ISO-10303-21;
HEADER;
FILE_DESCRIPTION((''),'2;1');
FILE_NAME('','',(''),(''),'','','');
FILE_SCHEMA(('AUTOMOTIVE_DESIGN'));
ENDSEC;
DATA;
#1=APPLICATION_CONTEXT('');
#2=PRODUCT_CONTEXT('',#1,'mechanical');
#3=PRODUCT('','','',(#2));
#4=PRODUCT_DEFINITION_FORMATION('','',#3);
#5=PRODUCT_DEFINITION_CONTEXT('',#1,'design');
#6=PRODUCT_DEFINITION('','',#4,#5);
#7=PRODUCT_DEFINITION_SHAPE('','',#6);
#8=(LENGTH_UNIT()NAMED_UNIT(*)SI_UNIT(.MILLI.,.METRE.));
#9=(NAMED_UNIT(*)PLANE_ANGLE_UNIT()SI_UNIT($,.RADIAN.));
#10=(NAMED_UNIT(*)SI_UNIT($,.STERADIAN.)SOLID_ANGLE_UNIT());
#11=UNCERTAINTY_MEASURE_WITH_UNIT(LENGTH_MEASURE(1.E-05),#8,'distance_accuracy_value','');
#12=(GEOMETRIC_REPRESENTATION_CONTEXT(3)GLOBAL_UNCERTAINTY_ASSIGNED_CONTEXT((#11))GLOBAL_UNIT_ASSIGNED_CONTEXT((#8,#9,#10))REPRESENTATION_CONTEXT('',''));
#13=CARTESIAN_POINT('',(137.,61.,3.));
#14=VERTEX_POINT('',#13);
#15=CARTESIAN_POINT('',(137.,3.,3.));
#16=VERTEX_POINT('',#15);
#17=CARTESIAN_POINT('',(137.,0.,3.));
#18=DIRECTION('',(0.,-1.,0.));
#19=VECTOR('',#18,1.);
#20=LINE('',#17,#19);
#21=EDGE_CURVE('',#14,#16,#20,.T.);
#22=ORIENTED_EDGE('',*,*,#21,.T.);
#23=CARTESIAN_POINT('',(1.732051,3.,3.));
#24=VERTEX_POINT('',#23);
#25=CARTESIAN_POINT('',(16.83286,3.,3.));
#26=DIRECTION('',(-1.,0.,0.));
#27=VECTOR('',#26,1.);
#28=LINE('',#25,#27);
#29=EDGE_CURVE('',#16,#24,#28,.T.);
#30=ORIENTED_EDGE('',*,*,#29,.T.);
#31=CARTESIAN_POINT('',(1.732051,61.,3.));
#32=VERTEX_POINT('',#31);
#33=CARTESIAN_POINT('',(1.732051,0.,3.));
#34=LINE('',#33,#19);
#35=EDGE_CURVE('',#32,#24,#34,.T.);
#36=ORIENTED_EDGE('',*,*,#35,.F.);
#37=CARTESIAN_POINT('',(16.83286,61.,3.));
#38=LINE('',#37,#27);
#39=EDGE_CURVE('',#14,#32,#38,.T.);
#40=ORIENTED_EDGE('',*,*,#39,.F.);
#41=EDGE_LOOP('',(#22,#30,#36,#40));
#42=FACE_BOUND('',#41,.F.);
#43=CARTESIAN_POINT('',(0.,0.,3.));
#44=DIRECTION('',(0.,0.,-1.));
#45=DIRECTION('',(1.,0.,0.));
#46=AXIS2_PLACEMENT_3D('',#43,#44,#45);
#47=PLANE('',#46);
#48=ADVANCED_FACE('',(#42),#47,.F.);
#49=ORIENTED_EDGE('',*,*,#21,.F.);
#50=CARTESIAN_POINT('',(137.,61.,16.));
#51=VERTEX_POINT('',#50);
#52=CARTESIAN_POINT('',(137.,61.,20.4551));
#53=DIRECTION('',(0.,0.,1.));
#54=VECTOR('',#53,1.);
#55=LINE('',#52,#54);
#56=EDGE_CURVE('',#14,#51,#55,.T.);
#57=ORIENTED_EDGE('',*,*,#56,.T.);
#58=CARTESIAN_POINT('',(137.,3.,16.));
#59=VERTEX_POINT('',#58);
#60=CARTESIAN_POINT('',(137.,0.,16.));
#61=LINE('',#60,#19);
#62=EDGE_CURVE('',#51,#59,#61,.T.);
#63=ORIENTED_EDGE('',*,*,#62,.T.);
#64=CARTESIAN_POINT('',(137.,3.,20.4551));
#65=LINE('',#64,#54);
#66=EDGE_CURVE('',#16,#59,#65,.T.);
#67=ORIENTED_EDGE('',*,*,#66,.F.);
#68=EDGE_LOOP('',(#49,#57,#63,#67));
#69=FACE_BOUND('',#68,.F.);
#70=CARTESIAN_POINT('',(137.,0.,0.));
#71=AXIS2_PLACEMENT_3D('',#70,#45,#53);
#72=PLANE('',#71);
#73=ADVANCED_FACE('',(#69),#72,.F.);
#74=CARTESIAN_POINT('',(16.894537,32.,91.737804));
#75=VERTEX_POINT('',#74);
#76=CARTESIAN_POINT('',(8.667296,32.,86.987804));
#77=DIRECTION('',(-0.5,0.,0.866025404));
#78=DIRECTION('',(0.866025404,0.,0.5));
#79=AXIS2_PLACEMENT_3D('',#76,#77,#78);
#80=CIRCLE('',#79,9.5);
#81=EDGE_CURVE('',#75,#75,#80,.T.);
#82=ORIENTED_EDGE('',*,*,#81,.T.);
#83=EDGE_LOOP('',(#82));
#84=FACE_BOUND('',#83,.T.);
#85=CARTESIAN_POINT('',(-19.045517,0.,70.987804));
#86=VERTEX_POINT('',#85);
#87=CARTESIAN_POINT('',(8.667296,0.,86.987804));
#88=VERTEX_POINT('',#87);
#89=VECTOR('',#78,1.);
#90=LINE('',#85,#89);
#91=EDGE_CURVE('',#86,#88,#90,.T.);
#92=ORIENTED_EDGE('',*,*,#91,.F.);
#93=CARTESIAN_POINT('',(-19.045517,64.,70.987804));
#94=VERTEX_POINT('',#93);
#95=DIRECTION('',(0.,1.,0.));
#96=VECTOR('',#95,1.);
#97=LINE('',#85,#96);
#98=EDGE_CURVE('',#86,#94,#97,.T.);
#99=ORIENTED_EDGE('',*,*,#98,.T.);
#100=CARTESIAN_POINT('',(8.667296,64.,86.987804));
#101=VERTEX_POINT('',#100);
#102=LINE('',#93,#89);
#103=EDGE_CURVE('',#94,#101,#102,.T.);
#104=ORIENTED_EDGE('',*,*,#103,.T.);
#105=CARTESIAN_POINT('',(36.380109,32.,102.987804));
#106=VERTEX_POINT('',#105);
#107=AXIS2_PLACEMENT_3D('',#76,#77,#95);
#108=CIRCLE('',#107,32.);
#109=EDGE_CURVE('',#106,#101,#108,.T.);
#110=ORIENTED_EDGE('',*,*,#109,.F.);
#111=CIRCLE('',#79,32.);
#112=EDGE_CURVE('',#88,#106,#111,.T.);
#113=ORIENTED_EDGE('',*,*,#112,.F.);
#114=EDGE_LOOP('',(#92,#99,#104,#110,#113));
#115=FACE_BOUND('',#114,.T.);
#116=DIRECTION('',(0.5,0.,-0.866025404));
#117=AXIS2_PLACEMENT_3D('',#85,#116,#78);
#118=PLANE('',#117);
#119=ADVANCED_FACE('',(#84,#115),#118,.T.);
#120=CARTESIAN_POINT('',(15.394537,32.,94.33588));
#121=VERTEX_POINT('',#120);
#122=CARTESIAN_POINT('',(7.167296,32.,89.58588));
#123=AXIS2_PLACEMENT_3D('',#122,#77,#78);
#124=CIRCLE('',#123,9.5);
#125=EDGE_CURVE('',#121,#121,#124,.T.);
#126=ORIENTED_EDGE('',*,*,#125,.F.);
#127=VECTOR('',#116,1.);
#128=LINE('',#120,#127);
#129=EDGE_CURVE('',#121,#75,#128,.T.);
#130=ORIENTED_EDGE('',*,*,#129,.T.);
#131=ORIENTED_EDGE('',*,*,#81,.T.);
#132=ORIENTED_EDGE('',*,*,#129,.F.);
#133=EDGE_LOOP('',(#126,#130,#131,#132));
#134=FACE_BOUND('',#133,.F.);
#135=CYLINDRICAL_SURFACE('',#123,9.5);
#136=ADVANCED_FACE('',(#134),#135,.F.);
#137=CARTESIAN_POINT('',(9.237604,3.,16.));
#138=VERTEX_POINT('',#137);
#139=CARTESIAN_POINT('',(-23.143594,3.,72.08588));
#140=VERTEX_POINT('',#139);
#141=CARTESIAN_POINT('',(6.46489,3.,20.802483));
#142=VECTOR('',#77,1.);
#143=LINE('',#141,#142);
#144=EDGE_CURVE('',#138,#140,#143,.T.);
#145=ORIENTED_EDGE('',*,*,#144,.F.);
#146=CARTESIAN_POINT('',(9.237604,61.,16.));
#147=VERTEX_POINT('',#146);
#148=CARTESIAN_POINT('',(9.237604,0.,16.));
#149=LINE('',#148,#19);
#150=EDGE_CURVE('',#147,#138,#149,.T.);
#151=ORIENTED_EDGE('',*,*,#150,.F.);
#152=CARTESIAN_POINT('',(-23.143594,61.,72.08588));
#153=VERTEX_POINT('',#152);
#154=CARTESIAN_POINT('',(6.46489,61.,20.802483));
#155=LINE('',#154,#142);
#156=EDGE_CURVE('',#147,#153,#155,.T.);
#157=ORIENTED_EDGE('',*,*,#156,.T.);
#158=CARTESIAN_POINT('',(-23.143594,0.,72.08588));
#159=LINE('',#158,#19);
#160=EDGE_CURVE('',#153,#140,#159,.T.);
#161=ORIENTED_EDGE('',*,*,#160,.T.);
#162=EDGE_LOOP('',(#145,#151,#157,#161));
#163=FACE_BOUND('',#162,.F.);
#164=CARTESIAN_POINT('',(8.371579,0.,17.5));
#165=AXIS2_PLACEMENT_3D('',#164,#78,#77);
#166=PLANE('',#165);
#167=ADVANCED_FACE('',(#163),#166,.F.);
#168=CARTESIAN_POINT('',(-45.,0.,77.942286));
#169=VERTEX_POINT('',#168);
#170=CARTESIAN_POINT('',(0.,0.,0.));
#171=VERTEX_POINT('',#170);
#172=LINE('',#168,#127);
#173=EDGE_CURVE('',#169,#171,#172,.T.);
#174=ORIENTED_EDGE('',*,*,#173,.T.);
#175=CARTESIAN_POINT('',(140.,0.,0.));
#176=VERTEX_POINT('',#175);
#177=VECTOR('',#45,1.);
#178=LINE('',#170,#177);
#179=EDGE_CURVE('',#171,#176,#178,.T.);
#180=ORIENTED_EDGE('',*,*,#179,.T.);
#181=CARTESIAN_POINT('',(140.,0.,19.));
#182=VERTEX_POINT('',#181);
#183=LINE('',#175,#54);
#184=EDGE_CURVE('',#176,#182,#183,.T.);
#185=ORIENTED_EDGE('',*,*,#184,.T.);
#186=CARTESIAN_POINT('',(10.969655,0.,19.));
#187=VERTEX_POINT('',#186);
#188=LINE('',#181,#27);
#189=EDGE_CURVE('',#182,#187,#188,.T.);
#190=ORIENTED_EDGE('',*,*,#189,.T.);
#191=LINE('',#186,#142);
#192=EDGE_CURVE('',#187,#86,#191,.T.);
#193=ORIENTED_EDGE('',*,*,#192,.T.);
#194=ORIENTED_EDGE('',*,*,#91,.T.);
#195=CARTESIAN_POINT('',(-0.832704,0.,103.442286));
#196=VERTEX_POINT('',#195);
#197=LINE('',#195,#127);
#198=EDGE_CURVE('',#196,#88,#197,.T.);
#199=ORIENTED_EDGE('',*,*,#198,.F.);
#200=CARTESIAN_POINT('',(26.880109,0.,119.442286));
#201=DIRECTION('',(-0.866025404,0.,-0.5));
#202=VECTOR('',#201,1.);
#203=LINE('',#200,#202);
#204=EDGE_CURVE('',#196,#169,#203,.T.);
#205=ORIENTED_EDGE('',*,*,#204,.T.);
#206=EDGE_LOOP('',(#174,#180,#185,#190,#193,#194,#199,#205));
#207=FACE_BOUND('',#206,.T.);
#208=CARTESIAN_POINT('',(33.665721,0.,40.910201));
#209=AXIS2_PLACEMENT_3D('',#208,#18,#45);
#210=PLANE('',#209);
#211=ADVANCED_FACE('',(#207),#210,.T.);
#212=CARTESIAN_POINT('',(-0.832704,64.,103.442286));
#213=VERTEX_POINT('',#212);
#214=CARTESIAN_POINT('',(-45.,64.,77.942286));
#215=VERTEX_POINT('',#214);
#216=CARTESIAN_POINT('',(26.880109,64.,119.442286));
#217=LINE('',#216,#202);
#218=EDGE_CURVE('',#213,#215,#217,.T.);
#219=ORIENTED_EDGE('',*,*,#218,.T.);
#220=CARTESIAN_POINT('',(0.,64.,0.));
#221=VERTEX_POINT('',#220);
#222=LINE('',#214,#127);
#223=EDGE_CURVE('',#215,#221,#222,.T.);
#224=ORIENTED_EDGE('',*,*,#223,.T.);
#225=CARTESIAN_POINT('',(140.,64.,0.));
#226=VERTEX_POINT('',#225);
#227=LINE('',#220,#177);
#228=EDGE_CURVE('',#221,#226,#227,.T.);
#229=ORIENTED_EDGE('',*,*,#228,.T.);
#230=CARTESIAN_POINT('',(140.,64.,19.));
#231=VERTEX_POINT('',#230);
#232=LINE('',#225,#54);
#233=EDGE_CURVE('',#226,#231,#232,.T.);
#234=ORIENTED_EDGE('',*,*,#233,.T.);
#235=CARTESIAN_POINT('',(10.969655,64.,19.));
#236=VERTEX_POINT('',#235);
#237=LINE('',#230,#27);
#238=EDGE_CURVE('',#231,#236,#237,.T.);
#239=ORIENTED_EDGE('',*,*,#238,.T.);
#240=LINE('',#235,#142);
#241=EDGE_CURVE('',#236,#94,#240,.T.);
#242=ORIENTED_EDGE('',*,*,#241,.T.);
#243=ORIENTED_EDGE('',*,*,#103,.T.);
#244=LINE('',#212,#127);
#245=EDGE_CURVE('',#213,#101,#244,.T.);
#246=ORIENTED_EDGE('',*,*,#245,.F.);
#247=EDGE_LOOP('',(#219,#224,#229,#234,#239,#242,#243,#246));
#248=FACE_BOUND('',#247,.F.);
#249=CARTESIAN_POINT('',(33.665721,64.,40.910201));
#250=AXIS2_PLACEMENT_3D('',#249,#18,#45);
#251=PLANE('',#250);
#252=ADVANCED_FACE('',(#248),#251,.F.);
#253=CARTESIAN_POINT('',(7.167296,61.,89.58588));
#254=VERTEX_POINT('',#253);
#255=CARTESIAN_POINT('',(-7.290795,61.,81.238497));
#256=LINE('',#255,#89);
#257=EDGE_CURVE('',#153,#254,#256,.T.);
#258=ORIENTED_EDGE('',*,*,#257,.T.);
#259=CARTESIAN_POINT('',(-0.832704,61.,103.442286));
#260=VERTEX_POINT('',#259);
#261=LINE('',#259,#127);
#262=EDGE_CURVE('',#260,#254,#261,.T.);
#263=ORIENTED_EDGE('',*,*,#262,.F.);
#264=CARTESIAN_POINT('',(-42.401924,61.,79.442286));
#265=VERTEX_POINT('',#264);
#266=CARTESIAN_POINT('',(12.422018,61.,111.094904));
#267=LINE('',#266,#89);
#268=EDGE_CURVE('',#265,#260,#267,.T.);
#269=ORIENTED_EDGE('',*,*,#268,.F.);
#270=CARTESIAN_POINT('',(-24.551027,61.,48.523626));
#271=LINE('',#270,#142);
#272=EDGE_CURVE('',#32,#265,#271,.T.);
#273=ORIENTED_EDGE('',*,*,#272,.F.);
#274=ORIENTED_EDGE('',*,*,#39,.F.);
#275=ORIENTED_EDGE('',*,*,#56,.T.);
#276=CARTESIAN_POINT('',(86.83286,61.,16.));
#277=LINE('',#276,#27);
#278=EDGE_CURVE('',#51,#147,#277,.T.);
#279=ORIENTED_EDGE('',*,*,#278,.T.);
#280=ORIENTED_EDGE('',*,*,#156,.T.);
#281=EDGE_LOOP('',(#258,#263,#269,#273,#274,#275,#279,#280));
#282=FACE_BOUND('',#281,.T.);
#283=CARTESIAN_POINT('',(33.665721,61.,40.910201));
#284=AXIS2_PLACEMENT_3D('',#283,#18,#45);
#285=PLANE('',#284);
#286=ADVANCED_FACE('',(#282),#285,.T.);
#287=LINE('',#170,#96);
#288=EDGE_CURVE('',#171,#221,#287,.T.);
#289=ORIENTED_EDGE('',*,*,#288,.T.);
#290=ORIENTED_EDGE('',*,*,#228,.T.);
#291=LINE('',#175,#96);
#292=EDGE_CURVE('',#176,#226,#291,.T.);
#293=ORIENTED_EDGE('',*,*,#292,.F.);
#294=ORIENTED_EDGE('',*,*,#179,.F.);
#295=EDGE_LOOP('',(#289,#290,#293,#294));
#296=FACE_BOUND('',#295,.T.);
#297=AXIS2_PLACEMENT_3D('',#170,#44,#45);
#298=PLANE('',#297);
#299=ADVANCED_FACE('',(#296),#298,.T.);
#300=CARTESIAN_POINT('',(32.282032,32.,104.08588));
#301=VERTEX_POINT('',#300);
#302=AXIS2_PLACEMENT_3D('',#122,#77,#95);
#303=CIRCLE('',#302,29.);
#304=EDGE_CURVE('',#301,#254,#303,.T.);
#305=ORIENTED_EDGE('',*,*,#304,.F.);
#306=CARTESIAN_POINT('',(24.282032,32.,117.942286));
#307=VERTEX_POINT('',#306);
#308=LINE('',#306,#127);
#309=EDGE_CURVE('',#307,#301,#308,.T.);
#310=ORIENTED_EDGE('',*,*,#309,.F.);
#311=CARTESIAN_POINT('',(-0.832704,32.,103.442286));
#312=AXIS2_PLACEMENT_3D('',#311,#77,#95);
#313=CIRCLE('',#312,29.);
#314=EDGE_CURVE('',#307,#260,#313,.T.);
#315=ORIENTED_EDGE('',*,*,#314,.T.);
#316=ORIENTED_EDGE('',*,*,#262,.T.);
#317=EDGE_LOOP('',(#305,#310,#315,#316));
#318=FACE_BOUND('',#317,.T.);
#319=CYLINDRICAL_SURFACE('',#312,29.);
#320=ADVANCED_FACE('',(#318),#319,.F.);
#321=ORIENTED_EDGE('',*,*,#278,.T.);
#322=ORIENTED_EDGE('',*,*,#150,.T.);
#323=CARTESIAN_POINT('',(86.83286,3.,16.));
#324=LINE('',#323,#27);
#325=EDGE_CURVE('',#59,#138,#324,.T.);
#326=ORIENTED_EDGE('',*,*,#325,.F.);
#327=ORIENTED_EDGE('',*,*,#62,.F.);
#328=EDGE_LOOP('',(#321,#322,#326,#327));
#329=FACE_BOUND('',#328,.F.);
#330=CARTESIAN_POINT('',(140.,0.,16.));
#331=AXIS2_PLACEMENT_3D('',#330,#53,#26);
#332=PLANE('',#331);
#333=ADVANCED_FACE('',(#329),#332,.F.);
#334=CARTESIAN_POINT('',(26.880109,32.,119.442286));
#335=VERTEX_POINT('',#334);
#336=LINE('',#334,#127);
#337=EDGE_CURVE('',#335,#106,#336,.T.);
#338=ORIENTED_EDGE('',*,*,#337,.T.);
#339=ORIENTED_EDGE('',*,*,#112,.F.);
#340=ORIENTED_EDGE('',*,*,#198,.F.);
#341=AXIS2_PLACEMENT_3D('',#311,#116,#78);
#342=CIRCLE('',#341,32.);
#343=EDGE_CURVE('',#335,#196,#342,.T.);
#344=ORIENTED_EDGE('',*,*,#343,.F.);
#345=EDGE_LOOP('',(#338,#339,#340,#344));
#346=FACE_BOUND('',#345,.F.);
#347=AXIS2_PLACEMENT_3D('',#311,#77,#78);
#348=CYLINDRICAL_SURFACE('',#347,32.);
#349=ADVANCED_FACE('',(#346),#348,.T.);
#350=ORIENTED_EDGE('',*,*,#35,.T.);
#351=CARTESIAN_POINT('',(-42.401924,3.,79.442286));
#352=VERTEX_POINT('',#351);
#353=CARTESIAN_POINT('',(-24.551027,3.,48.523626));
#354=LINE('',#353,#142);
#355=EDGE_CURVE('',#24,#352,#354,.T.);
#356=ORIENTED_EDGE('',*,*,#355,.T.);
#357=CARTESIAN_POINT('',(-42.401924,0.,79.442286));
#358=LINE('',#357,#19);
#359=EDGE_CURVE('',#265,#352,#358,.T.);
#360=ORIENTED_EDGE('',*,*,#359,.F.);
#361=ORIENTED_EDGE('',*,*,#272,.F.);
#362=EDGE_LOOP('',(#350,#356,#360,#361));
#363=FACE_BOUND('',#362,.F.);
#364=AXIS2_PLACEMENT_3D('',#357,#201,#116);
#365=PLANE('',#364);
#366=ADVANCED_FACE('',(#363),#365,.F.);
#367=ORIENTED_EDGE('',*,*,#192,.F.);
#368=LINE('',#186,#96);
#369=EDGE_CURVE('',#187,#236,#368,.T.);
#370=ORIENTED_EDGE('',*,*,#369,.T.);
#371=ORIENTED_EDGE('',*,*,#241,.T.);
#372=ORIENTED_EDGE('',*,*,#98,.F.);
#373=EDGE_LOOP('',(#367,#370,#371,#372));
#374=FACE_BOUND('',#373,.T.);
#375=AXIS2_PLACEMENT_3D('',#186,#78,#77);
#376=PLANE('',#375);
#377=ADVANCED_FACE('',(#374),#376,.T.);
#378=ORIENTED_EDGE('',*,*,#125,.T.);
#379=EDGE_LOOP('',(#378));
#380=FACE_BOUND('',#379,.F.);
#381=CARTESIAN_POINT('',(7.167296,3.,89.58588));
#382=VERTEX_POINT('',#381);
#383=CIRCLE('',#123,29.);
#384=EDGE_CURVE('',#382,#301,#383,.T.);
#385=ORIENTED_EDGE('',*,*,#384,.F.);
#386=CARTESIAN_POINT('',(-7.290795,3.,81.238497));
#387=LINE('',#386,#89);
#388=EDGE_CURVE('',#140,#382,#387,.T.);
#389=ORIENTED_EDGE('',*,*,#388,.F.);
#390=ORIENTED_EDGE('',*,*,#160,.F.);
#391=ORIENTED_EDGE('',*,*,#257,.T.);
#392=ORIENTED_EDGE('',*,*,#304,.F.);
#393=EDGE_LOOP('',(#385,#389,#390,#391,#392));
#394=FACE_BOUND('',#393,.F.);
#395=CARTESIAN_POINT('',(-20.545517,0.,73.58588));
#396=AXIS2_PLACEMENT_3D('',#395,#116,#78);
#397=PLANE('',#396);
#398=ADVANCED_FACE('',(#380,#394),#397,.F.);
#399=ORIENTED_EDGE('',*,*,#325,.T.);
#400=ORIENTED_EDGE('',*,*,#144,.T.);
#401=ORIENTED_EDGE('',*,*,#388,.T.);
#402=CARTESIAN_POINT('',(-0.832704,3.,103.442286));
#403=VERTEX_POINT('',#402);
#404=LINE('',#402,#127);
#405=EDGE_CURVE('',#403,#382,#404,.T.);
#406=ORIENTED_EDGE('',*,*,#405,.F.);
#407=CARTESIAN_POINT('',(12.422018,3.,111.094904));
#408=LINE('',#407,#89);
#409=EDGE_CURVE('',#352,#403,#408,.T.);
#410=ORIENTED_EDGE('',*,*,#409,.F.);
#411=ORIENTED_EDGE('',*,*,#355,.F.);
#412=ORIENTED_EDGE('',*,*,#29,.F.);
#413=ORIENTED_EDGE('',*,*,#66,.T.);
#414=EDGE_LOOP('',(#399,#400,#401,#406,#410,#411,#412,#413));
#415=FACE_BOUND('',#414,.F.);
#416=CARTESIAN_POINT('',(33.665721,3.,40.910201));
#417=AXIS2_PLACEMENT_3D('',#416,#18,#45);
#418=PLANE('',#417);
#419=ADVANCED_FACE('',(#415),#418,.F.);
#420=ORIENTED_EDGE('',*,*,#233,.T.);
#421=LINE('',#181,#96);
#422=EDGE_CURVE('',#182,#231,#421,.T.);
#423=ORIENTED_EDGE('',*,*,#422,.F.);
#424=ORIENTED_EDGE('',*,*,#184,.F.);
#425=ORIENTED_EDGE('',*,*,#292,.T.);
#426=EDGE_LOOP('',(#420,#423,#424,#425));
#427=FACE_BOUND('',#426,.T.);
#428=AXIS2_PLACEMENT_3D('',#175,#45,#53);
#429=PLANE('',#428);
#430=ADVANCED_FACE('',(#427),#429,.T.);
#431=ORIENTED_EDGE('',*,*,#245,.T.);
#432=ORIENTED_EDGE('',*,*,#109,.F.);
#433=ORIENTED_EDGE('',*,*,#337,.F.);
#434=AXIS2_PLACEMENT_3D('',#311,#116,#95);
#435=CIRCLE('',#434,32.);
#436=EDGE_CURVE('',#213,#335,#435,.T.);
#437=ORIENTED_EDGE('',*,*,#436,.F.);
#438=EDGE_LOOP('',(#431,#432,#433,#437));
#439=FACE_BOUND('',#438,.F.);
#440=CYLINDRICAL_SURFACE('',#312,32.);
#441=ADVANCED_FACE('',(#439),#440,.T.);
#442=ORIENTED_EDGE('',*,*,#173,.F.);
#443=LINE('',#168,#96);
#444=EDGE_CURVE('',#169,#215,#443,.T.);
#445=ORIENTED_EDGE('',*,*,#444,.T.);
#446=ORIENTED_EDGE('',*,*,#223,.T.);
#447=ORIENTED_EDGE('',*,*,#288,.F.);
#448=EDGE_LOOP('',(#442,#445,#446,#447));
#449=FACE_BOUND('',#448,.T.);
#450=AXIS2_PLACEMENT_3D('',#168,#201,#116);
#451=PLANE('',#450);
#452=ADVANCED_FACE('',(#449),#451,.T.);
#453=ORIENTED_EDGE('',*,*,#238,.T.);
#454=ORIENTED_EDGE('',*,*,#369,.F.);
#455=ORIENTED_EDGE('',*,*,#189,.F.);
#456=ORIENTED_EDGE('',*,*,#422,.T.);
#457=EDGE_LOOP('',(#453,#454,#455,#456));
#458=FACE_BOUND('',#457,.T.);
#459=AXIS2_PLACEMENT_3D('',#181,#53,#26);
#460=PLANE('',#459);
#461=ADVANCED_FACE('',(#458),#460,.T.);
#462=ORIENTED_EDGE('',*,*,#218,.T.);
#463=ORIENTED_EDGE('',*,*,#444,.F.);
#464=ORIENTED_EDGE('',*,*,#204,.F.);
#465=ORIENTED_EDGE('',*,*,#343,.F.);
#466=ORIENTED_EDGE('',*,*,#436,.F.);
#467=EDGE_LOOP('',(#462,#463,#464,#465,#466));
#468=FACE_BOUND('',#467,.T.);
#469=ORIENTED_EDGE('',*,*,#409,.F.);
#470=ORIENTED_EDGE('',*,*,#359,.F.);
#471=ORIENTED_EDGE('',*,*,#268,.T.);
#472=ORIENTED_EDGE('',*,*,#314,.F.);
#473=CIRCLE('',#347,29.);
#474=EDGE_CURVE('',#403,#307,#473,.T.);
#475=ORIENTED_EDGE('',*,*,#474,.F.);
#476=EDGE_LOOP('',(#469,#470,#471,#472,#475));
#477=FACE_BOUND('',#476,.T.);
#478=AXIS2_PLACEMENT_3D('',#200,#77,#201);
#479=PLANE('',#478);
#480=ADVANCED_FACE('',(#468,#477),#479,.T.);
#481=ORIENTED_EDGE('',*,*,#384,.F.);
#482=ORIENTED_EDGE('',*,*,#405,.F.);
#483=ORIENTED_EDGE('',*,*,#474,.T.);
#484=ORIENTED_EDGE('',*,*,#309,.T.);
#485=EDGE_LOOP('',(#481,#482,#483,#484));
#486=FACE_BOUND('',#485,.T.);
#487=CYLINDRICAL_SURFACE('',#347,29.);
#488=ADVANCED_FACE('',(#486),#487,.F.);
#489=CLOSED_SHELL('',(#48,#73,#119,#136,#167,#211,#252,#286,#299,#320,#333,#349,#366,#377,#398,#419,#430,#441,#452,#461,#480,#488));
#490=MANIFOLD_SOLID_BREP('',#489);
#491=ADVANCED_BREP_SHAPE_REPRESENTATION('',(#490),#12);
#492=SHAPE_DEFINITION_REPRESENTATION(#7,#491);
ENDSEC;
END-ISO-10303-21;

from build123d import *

# Parameters (mm, degrees)
F1_DEPTH = 64
F3_DEPTH = 25
F4_T     = -3
F5_R     = 9.5
F6_DEPTH = 3


with BuildPart() as f1:
    # F0 (on Front) → F1 (new body)
    with BuildSketch(Plane.XZ):
        Polygon((-45, 77.9422863406), (0, 0), (140, 0), (140, 19), (10.9696551146, 19), (-19.0455173281, 70.9878036687), (36.3801085141, 102.9878036687), (26.8801085141, 119.4422863406), align=None)
    extrude(amount=-F1_DEPTH)

    # F2 (on face) → F3 (cut)
    with BuildSketch(Plane(origin=(-45, 0, 77.9422863406), x_dir=(0.8660254038, 0, 0.5), z_dir=(-0.5, 0, 0.8660254038))):
        with BuildLine():
            ThreePointArc((51, 64), (73.627416998, 54.627416998), (83, 32))
            Line((83, 32), (83, 64))
            Line((83, 64), (51, 64))
        make_face()
        with BuildLine():
            Line((83, 0), (83, 32))
            ThreePointArc((83, 32), (73.627416998, 9.372583002), (51, 0))
            Line((51, 0), (83, 0))
        make_face()
    extrude(amount=-F3_DEPTH, mode=Mode.SUBTRACT)

    # F4
    f4_openings = [f1.faces().sort_by_distance(p)[0] for p in [
        (-11.74342, 32, 97.142982),
    ]]
    offset(amount=F4_T, openings=f4_openings, kind=Kind.INTERSECTION)

    # F5 (on face) → F6 (cut, through all)
    with BuildSketch(Plane(origin=(-37, 0, 64.08587988), x_dir=(0.8660254038, 0, 0.5), z_dir=(-0.5, 0, 0.8660254038))):
        with Locations((51, 32)):
            Circle(F5_R)
    extrude(amount=-F6_DEPTH, mode=Mode.SUBTRACT)


solid = f1.part
